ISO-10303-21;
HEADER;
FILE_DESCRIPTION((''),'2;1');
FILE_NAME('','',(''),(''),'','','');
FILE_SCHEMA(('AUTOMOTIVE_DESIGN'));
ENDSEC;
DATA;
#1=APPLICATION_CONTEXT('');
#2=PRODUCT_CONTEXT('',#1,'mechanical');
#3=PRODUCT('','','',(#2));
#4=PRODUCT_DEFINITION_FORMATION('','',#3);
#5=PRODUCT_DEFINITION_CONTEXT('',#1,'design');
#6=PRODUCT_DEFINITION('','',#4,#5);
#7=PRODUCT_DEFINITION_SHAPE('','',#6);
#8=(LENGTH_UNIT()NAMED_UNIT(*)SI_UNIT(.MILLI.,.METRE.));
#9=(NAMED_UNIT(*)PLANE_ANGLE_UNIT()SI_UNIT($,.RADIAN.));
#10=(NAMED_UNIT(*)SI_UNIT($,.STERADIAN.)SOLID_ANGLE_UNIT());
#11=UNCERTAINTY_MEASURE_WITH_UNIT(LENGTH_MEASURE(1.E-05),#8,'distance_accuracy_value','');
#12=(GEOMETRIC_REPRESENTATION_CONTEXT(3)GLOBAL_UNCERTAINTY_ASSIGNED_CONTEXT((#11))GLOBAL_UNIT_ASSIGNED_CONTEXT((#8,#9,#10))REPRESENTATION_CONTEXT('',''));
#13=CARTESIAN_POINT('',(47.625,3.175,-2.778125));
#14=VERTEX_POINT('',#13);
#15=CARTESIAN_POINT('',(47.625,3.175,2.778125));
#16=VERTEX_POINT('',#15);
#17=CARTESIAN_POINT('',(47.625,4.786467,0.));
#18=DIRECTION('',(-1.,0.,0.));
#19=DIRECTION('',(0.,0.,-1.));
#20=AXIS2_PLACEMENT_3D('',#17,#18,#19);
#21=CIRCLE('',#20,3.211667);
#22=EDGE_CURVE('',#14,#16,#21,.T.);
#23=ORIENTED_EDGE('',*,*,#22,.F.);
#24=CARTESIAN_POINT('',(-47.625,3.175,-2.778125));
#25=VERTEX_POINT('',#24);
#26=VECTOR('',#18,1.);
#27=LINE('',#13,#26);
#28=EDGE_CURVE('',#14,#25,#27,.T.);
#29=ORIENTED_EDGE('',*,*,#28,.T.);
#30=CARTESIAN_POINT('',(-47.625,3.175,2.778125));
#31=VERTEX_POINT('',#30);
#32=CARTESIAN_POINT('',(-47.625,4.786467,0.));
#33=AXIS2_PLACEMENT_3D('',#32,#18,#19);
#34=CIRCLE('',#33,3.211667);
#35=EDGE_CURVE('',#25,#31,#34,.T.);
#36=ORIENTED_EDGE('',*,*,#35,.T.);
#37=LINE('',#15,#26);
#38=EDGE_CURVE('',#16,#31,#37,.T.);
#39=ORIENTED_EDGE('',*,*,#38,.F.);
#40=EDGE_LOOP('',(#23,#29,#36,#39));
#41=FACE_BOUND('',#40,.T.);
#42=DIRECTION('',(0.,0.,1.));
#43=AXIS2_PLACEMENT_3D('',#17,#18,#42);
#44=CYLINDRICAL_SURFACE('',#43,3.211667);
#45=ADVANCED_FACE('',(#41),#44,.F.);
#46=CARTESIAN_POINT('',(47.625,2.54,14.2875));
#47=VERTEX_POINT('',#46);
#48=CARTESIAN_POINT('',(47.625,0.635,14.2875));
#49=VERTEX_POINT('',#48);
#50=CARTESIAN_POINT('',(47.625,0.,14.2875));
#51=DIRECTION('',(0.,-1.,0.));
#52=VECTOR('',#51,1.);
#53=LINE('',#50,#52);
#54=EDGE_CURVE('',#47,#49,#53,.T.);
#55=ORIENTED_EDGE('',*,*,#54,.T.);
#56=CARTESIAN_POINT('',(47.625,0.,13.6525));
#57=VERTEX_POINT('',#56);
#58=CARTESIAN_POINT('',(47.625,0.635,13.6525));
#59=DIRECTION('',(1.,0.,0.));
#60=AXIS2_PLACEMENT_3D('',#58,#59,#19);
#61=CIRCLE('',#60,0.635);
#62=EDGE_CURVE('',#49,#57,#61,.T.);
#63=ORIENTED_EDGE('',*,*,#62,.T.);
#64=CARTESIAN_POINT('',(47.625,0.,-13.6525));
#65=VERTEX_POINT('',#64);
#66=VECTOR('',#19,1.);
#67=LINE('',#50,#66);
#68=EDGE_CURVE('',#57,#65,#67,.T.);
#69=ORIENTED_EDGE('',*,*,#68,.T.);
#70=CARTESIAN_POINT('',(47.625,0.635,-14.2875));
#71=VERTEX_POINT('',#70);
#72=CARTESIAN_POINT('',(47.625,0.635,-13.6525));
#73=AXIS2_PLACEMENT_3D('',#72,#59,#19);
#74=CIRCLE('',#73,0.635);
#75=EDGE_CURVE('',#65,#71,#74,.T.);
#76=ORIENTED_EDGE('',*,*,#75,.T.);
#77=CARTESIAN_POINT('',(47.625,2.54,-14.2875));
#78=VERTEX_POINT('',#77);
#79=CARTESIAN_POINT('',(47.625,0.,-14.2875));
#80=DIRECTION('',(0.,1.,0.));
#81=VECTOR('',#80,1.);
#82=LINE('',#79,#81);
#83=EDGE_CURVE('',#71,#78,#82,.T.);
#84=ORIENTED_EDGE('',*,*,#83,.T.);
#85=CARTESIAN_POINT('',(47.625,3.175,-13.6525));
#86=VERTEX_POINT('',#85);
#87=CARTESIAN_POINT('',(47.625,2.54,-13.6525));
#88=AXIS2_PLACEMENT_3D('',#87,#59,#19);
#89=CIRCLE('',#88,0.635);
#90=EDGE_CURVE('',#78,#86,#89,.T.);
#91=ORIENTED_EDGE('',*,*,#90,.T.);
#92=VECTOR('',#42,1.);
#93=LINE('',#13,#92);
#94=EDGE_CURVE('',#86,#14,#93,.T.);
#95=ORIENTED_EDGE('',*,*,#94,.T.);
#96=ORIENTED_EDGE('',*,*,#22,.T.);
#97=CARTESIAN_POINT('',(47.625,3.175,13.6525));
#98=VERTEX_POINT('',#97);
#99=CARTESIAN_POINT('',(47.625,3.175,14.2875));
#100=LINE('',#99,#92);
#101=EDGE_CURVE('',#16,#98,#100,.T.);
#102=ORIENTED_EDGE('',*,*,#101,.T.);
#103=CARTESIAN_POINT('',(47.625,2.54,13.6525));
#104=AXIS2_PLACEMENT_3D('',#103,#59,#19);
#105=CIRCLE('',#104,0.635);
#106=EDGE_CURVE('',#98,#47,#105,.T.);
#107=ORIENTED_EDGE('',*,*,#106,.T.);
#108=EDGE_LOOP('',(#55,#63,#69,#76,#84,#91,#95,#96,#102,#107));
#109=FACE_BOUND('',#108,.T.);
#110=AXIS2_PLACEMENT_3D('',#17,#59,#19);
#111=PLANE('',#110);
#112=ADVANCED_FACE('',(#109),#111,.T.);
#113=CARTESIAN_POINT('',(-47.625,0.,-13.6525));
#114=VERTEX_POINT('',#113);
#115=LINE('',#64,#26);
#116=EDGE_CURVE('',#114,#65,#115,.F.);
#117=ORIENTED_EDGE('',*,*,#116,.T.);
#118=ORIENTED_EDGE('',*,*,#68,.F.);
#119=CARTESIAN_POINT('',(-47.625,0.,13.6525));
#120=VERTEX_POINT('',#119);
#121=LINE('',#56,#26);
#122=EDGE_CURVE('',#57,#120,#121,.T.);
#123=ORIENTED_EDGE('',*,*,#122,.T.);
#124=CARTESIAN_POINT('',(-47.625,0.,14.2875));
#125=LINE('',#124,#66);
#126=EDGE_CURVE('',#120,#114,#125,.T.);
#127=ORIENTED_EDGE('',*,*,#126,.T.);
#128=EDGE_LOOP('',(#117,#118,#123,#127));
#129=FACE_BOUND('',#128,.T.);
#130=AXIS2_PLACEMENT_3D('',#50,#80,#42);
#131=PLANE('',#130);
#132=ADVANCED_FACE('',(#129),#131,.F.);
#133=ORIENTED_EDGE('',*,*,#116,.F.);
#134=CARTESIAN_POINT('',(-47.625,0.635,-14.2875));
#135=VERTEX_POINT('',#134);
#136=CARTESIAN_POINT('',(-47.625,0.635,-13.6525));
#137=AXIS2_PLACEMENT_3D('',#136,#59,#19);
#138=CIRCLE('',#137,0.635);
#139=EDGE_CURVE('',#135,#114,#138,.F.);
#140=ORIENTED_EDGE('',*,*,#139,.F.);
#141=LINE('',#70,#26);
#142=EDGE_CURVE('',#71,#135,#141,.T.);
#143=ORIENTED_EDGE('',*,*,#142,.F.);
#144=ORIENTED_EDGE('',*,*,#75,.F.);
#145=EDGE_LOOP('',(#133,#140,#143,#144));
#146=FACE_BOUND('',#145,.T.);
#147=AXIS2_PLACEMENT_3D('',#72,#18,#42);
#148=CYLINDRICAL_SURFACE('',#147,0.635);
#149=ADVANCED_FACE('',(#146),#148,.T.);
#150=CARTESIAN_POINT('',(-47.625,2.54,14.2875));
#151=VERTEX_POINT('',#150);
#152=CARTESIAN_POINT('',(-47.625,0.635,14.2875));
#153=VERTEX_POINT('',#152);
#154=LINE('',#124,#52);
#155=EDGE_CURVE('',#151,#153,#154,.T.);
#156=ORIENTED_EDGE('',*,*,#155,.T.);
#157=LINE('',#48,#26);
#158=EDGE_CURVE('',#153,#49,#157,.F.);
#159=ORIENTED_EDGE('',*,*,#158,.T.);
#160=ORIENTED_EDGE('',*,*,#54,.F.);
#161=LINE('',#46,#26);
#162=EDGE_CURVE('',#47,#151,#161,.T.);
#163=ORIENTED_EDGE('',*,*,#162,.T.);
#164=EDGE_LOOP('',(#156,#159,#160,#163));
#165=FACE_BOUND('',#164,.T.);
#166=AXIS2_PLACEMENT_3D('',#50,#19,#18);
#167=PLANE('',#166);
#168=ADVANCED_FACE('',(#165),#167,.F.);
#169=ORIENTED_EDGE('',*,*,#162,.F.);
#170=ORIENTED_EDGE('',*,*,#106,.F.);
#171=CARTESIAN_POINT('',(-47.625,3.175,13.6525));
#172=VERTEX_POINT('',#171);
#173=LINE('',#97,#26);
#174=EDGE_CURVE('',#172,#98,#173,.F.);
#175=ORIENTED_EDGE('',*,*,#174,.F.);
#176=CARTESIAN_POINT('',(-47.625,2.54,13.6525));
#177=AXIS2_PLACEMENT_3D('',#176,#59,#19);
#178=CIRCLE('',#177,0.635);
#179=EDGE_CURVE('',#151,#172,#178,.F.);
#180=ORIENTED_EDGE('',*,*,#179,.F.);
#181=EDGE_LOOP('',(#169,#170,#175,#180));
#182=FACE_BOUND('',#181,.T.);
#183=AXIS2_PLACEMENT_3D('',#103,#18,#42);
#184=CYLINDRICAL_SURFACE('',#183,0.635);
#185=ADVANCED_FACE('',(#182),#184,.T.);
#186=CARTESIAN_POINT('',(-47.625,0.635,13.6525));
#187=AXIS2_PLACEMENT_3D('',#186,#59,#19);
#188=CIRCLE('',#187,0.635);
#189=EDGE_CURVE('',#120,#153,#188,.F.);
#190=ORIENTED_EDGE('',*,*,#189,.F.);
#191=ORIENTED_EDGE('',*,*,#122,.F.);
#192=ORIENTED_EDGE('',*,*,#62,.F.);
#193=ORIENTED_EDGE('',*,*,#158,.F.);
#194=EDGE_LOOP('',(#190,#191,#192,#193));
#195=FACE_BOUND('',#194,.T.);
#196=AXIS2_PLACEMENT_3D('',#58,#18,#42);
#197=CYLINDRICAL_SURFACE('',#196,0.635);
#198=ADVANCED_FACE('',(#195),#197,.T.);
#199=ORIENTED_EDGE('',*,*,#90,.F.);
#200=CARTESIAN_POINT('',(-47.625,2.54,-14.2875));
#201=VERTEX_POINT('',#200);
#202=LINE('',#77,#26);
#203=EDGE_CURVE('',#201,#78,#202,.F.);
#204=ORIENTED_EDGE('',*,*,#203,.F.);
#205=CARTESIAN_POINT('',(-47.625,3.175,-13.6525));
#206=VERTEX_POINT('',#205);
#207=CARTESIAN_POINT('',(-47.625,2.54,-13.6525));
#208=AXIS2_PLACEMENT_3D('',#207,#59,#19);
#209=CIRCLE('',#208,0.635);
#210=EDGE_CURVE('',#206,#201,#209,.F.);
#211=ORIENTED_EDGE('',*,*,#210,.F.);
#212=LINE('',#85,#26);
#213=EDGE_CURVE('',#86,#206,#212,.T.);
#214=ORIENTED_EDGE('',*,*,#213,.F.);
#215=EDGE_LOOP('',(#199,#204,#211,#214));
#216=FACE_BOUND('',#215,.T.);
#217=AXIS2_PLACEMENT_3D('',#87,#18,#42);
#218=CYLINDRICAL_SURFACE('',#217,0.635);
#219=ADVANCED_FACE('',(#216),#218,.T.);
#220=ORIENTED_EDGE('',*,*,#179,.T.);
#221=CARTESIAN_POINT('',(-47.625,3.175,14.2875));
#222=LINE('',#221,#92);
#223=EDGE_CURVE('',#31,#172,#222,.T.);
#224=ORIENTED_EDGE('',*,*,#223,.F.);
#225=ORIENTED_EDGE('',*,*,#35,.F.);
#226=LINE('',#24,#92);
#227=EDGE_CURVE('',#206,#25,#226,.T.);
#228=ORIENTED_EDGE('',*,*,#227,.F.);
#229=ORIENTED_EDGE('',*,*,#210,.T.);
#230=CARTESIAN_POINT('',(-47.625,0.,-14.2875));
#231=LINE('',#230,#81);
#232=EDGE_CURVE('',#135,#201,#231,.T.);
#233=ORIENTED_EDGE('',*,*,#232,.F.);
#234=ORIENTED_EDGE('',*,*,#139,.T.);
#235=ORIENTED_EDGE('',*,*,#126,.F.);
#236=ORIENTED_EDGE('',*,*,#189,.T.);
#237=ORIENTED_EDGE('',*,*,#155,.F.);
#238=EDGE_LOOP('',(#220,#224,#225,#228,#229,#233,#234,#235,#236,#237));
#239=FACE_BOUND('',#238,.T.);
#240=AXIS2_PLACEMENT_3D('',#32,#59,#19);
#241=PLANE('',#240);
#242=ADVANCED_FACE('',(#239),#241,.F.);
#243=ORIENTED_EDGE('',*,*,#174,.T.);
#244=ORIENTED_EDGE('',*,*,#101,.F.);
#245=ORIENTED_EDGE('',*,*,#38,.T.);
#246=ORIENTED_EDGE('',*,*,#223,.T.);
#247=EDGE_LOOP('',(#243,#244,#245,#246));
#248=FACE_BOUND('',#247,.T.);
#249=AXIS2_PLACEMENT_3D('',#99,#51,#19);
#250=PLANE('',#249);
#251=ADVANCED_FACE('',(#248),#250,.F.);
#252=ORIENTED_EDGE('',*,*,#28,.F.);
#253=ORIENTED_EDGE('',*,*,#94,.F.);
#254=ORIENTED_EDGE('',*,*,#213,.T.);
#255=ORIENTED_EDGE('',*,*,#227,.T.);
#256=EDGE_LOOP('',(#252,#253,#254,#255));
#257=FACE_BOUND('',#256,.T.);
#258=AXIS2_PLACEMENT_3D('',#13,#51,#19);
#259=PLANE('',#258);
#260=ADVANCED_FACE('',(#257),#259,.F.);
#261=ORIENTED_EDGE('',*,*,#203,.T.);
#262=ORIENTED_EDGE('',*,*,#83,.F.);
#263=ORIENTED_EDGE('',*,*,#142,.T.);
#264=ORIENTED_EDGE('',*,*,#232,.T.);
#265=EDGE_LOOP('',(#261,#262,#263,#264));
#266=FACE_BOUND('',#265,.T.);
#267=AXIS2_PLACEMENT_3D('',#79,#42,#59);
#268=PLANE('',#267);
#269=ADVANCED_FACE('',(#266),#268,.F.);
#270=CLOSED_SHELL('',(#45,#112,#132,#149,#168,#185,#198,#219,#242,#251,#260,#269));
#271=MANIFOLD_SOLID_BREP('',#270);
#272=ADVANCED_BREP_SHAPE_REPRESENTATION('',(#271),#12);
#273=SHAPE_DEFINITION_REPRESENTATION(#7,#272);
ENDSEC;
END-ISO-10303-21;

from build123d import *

# Parameters (mm, degrees)
EXTRUDE1_DEPTH = 47.625
FILLET1_R      = 0.635


with BuildPart() as part:
    # Sketch2 → Extrude1 (new, symmetric)
    with BuildSketch(Plane(origin=(0, 0, 0), x_dir=(0, 0, -1), z_dir=(1, 0, 0))):
        with BuildLine():
            Line((-14.2875, 3.175), (-2.778125, 3.175))
            ThreePointArc((-2.778125, 3.175), (0, 1.5748), (2.778125, 3.175))
            Line((2.778125, 3.175), (14.2875, 3.175))
            Line((14.2875, 3.175), (14.2875, 0))
            Line((14.2875, 0), (-14.2875, 0))
            Line((-14.2875, 0), (-14.2875, 3.175))
        make_face()
    extrude(amount=EXTRUDE1_DEPTH, both=True)

    # Fillet1
    fillet1_edges = [part.edges().sort_by_distance(p)[0] for p in [
        (0, 3.175, 14.2875),
        (0, 3.175, -14.2875),
        (0, 0, -14.2875),
        (0, 0, 14.2875),
    ]]
    fillet(fillet1_edges, radius=FILLET1_R)


solid = part.part
